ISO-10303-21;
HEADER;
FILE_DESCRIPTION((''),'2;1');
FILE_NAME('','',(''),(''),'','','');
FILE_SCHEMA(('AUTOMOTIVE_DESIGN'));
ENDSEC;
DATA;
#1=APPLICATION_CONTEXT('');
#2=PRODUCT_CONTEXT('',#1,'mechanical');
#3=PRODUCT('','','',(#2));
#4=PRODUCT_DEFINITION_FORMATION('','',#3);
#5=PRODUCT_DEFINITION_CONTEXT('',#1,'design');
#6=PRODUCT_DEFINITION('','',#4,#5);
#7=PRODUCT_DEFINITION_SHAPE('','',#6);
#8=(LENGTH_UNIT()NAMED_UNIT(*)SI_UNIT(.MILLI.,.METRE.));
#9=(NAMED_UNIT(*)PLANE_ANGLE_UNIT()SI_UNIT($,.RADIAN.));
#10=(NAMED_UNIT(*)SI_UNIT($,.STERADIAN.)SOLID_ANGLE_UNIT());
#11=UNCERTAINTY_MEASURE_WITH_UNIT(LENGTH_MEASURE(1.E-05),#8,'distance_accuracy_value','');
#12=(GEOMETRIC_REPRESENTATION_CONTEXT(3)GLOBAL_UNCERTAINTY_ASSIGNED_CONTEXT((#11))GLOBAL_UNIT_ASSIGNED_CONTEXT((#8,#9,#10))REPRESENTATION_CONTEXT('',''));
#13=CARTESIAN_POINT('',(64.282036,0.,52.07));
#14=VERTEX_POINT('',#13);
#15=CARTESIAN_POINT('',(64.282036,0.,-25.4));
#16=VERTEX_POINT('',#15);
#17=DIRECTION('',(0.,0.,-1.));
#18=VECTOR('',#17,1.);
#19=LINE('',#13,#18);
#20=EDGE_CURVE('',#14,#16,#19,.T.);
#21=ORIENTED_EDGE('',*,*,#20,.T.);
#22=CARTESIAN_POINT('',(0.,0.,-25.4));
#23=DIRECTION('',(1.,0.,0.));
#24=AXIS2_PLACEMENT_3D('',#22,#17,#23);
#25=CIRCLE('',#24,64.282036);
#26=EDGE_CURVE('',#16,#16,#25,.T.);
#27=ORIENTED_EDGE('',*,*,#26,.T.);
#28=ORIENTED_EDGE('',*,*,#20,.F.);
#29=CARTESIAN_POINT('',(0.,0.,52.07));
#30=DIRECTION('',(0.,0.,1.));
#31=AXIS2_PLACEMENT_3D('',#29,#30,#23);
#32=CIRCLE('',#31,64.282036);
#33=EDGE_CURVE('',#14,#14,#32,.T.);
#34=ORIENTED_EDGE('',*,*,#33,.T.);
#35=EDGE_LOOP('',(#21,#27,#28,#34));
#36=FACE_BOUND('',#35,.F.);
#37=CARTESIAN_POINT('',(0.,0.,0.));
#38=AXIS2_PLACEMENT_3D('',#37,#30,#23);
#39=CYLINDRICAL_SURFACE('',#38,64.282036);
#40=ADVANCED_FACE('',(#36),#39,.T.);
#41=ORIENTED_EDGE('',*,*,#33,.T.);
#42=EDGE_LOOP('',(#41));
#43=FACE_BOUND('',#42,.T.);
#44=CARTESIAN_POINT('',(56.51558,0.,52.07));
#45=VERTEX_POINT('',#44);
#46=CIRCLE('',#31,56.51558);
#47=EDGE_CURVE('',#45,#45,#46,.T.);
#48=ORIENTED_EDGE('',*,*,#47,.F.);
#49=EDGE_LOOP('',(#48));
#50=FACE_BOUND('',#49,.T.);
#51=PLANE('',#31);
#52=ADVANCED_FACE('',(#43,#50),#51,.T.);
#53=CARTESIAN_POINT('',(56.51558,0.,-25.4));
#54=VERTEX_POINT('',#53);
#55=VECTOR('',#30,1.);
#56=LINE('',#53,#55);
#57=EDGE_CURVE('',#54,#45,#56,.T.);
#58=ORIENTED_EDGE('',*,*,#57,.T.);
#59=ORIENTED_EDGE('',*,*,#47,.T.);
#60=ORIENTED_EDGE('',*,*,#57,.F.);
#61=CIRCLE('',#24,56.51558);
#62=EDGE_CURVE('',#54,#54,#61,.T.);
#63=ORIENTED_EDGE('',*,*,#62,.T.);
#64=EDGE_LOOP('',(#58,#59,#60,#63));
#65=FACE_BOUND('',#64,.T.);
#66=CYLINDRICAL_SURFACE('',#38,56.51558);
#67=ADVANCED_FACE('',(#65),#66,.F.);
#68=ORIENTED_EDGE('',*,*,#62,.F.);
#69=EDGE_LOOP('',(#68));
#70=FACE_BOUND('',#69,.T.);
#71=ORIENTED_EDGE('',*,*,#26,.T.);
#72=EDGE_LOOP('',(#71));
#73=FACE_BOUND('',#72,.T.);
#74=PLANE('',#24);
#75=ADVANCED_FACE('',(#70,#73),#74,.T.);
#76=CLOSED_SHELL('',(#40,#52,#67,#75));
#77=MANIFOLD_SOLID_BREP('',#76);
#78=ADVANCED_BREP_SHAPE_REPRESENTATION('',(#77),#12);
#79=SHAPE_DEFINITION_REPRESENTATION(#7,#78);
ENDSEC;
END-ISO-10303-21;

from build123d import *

# Parameters (mm, degrees)
F0_R        = 64.282036
F0_R_2      = 56.51558
F1_DEPTH    = 52.07
F2_R        = 63.645379
F2_R_2      = 59.669369
F3_DEPTH    = 28.194
F1_FACE_R   = 64.282036
F1_FACE_R_2 = 56.51558
F4_DEPTH    = 25.4


with BuildPart() as f1:
    # F0 (on Top) → F1 (new body)
    with BuildSketch(Plane.XY):
        Circle(F0_R)
        Circle(F0_R_2, mode=Mode.SUBTRACT)
    extrude(amount=F1_DEPTH)

    # F2 (on Top) → F3 (join)
    with BuildSketch(Plane.XY):
        Circle(F2_R)
        Circle(F2_R_2, mode=Mode.SUBTRACT)
    extrude(amount=F3_DEPTH)

    # F1_face (on face) → F4 (join)
    with BuildSketch(Plane(origin=(0, 0, 0), x_dir=(1, 0, 0), z_dir=(0, 0, -1))):
        Circle(F1_FACE_R)
        Circle(F1_FACE_R_2, mode=Mode.SUBTRACT)
    extrude(amount=F4_DEPTH)


solid = f1.part
